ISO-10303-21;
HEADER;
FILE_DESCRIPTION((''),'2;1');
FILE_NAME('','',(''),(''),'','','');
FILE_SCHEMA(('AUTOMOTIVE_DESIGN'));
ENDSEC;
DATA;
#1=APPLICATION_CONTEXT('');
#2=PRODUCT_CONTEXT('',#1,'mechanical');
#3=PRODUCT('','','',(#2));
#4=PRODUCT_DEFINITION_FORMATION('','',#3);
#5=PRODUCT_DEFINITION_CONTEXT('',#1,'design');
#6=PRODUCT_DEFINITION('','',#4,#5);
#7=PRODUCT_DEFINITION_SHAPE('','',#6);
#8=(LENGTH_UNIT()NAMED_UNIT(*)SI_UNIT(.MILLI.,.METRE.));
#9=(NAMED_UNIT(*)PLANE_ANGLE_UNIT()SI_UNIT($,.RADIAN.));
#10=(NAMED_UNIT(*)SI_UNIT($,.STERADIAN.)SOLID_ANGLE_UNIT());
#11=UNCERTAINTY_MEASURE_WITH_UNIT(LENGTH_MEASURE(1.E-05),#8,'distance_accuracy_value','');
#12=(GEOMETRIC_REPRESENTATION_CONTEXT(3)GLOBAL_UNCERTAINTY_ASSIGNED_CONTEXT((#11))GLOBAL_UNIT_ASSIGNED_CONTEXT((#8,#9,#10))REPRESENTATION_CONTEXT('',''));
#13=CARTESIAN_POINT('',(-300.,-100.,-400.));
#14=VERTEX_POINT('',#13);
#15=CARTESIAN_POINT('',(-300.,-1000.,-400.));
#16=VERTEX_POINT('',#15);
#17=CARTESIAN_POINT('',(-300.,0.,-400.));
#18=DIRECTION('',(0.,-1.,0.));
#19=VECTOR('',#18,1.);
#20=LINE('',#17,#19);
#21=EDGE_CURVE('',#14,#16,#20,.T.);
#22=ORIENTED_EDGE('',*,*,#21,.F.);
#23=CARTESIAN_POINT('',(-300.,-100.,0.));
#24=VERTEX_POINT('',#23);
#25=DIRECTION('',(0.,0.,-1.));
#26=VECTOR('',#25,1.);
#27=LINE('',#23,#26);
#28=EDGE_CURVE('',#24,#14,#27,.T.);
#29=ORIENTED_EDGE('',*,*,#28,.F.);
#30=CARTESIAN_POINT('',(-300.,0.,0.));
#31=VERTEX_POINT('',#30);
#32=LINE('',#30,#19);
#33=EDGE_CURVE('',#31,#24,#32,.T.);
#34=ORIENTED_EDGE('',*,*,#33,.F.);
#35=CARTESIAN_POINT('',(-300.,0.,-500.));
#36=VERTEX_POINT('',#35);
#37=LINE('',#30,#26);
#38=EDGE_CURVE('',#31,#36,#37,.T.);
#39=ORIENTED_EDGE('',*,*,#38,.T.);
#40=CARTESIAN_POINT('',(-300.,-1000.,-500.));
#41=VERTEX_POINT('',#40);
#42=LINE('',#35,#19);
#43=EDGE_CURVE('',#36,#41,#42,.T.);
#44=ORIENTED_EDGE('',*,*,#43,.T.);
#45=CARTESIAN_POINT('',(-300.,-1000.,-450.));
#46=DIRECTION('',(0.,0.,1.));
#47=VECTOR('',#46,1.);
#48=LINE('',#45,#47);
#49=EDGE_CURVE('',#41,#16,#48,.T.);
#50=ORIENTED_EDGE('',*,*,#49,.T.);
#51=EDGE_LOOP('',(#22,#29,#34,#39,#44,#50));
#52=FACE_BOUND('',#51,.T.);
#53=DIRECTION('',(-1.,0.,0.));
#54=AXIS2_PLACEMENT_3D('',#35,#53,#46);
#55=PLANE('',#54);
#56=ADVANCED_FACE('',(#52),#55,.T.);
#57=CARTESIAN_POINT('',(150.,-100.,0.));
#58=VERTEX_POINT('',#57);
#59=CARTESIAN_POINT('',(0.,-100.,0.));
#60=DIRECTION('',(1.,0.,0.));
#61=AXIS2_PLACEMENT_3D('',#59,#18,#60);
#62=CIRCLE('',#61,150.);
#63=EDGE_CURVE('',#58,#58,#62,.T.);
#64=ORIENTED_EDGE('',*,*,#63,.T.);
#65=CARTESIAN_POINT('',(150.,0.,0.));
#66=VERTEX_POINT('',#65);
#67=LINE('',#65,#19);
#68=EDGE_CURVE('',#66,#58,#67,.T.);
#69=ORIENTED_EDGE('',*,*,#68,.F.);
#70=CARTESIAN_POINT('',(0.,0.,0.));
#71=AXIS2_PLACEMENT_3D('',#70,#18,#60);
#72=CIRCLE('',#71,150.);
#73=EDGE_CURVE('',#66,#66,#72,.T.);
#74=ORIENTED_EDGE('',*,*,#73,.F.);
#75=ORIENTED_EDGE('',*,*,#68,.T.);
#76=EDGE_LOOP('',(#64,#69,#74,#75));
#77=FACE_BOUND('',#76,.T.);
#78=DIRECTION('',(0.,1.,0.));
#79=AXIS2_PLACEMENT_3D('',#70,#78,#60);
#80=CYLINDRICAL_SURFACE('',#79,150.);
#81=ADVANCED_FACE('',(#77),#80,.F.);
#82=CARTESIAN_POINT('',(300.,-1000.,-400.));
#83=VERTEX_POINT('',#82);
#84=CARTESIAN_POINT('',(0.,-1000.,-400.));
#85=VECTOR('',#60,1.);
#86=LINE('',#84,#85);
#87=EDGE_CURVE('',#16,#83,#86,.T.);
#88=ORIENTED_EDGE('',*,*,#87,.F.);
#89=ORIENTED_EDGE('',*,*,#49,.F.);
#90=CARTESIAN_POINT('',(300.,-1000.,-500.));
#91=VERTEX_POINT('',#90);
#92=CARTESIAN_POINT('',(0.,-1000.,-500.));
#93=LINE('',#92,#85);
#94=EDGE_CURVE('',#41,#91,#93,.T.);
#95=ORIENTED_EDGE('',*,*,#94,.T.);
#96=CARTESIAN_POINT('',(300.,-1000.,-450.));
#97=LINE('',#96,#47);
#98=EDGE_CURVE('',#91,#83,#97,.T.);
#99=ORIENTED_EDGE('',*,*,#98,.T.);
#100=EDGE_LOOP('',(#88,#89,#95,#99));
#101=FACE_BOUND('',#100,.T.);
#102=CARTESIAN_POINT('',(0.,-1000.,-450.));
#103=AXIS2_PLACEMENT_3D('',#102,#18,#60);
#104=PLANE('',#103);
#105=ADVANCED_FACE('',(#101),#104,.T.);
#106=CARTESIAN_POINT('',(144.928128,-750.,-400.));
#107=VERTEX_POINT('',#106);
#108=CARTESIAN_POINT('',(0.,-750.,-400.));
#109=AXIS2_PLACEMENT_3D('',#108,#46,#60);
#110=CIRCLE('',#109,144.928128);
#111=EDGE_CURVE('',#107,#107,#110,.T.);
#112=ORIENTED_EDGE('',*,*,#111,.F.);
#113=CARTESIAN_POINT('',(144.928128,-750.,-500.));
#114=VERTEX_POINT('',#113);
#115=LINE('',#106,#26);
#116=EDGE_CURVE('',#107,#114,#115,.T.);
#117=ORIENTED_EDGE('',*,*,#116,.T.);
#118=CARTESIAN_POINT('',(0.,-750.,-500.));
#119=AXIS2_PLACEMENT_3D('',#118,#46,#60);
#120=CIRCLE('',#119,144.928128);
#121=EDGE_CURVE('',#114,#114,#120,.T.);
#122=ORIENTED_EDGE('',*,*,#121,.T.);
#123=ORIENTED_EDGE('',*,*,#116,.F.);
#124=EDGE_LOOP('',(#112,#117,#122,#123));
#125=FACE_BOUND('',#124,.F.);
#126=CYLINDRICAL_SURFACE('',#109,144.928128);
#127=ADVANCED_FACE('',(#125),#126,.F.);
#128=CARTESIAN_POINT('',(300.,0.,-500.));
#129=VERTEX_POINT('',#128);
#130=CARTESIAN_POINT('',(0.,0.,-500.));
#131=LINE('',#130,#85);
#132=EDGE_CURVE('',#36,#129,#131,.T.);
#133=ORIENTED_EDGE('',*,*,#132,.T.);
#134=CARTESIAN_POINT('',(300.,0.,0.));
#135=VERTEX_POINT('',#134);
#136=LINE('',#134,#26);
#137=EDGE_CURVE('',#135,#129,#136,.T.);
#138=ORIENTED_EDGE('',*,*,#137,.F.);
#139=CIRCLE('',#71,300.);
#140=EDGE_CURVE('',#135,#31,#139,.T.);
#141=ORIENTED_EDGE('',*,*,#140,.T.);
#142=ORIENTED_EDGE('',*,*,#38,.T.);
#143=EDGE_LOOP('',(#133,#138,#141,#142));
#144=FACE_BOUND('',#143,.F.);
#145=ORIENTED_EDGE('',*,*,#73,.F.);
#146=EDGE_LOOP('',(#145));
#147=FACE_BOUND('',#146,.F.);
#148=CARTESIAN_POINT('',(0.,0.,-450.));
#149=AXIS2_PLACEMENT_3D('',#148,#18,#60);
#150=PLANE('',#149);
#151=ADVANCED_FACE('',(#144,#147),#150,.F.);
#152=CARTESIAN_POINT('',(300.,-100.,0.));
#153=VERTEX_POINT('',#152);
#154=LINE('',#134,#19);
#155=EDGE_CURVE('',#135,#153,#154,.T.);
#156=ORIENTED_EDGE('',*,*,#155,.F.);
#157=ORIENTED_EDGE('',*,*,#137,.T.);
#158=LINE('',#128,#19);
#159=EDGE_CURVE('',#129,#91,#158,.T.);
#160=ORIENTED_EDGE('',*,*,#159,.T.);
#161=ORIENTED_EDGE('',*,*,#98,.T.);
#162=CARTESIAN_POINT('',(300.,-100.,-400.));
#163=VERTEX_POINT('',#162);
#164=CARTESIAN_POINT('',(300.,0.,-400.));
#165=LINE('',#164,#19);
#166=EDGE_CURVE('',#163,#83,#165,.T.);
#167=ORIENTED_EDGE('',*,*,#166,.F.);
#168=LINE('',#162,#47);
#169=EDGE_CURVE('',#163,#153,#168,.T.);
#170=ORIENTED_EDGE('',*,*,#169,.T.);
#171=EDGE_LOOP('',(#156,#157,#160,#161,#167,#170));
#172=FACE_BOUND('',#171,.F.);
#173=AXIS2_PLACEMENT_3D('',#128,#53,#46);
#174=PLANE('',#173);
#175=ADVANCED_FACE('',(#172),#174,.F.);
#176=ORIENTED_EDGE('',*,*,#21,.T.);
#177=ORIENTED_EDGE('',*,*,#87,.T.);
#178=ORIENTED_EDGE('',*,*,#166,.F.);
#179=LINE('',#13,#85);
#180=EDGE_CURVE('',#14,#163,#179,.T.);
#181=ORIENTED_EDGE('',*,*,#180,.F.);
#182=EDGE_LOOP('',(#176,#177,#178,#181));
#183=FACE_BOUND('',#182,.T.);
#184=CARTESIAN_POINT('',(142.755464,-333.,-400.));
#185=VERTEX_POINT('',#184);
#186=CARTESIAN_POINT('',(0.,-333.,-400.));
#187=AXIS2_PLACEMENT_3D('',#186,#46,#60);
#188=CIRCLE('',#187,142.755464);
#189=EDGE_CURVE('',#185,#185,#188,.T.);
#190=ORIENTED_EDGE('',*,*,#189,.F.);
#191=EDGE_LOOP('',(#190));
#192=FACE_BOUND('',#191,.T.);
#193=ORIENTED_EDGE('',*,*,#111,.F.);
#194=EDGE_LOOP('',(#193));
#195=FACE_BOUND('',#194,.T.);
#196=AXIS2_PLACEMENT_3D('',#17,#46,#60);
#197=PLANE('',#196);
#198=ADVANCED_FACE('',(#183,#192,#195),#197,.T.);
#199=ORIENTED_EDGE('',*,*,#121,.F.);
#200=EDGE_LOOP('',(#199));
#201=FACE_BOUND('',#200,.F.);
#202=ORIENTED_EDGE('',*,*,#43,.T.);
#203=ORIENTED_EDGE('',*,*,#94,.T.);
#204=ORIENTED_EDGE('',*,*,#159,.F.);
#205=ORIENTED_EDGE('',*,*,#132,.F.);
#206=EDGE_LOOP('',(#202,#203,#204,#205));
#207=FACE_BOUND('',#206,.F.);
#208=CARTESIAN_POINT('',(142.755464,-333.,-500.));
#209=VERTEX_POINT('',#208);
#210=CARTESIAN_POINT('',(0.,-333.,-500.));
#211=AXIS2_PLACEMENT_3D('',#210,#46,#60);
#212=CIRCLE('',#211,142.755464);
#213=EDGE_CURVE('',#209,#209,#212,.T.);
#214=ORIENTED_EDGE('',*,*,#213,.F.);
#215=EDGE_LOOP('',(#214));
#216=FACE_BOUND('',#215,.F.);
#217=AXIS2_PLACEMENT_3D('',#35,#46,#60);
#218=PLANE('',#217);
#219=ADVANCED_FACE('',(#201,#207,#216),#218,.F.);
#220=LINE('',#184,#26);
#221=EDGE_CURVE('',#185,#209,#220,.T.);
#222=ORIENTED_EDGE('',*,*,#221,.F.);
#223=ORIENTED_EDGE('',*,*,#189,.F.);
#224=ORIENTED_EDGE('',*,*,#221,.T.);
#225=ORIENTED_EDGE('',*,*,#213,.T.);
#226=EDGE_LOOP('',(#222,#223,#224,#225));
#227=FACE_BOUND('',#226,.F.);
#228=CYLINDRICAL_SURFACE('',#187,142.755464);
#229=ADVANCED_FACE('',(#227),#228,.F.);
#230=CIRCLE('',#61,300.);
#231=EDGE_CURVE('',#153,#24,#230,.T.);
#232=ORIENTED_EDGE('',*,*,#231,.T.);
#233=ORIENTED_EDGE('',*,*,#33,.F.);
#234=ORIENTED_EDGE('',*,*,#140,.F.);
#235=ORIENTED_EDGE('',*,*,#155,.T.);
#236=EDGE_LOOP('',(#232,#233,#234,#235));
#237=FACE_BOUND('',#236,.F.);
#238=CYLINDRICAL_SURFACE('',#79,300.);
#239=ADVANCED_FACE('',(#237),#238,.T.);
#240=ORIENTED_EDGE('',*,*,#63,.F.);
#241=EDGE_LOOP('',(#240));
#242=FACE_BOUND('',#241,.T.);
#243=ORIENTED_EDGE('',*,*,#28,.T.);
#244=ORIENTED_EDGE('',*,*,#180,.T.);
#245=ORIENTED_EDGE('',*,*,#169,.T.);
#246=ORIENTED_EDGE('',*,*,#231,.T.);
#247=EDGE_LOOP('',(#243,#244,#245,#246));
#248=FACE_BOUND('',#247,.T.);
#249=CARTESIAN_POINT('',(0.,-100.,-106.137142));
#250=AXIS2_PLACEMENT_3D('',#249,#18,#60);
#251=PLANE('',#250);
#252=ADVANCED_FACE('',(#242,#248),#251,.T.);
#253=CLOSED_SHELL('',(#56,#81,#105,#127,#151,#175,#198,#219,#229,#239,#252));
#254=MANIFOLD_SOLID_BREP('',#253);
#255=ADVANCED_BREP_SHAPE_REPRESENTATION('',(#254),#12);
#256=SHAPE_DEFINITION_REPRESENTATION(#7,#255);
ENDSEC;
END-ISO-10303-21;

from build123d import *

# Parameters (mm, degrees)
F0_R     = 150
F1_DEPTH = 100
F0_W     = 600
F0_H     = 100
F2_DEPTH = 1000
F3_R     = 142.755464
F3_R_2   = 144.928128
F4_DEPTH = 100


with BuildPart() as f1:
    # F0 (on Front) → F1 (new body)
    with BuildSketch(Plane.XZ):
        with BuildLine():
            Line((300, -400), (300, 0))
            ThreePointArc((300, 0), (0, 300), (-300, 0))
            Line((-300, 0), (-300, -400))
            Line((-300, -400), (300, -400))
        make_face()
        Circle(F0_R, mode=Mode.SUBTRACT)
    extrude(amount=F1_DEPTH)

    # F0 (on Front) → F2 (join)
    with BuildSketch(Plane.XZ):
        with Locations((0, -450)):
            Rectangle(F0_W, F0_H)
    extrude(amount=F2_DEPTH)

    # F3 (on face) → F4 (cut)
    with BuildSketch(Plane.XY.offset(-400)):
        with Locations((0, -333)):
            Circle(F3_R)
        with Locations((0, -750)):
            Circle(F3_R_2)
    extrude(amount=-F4_DEPTH, mode=Mode.SUBTRACT)


solid = f1.part
